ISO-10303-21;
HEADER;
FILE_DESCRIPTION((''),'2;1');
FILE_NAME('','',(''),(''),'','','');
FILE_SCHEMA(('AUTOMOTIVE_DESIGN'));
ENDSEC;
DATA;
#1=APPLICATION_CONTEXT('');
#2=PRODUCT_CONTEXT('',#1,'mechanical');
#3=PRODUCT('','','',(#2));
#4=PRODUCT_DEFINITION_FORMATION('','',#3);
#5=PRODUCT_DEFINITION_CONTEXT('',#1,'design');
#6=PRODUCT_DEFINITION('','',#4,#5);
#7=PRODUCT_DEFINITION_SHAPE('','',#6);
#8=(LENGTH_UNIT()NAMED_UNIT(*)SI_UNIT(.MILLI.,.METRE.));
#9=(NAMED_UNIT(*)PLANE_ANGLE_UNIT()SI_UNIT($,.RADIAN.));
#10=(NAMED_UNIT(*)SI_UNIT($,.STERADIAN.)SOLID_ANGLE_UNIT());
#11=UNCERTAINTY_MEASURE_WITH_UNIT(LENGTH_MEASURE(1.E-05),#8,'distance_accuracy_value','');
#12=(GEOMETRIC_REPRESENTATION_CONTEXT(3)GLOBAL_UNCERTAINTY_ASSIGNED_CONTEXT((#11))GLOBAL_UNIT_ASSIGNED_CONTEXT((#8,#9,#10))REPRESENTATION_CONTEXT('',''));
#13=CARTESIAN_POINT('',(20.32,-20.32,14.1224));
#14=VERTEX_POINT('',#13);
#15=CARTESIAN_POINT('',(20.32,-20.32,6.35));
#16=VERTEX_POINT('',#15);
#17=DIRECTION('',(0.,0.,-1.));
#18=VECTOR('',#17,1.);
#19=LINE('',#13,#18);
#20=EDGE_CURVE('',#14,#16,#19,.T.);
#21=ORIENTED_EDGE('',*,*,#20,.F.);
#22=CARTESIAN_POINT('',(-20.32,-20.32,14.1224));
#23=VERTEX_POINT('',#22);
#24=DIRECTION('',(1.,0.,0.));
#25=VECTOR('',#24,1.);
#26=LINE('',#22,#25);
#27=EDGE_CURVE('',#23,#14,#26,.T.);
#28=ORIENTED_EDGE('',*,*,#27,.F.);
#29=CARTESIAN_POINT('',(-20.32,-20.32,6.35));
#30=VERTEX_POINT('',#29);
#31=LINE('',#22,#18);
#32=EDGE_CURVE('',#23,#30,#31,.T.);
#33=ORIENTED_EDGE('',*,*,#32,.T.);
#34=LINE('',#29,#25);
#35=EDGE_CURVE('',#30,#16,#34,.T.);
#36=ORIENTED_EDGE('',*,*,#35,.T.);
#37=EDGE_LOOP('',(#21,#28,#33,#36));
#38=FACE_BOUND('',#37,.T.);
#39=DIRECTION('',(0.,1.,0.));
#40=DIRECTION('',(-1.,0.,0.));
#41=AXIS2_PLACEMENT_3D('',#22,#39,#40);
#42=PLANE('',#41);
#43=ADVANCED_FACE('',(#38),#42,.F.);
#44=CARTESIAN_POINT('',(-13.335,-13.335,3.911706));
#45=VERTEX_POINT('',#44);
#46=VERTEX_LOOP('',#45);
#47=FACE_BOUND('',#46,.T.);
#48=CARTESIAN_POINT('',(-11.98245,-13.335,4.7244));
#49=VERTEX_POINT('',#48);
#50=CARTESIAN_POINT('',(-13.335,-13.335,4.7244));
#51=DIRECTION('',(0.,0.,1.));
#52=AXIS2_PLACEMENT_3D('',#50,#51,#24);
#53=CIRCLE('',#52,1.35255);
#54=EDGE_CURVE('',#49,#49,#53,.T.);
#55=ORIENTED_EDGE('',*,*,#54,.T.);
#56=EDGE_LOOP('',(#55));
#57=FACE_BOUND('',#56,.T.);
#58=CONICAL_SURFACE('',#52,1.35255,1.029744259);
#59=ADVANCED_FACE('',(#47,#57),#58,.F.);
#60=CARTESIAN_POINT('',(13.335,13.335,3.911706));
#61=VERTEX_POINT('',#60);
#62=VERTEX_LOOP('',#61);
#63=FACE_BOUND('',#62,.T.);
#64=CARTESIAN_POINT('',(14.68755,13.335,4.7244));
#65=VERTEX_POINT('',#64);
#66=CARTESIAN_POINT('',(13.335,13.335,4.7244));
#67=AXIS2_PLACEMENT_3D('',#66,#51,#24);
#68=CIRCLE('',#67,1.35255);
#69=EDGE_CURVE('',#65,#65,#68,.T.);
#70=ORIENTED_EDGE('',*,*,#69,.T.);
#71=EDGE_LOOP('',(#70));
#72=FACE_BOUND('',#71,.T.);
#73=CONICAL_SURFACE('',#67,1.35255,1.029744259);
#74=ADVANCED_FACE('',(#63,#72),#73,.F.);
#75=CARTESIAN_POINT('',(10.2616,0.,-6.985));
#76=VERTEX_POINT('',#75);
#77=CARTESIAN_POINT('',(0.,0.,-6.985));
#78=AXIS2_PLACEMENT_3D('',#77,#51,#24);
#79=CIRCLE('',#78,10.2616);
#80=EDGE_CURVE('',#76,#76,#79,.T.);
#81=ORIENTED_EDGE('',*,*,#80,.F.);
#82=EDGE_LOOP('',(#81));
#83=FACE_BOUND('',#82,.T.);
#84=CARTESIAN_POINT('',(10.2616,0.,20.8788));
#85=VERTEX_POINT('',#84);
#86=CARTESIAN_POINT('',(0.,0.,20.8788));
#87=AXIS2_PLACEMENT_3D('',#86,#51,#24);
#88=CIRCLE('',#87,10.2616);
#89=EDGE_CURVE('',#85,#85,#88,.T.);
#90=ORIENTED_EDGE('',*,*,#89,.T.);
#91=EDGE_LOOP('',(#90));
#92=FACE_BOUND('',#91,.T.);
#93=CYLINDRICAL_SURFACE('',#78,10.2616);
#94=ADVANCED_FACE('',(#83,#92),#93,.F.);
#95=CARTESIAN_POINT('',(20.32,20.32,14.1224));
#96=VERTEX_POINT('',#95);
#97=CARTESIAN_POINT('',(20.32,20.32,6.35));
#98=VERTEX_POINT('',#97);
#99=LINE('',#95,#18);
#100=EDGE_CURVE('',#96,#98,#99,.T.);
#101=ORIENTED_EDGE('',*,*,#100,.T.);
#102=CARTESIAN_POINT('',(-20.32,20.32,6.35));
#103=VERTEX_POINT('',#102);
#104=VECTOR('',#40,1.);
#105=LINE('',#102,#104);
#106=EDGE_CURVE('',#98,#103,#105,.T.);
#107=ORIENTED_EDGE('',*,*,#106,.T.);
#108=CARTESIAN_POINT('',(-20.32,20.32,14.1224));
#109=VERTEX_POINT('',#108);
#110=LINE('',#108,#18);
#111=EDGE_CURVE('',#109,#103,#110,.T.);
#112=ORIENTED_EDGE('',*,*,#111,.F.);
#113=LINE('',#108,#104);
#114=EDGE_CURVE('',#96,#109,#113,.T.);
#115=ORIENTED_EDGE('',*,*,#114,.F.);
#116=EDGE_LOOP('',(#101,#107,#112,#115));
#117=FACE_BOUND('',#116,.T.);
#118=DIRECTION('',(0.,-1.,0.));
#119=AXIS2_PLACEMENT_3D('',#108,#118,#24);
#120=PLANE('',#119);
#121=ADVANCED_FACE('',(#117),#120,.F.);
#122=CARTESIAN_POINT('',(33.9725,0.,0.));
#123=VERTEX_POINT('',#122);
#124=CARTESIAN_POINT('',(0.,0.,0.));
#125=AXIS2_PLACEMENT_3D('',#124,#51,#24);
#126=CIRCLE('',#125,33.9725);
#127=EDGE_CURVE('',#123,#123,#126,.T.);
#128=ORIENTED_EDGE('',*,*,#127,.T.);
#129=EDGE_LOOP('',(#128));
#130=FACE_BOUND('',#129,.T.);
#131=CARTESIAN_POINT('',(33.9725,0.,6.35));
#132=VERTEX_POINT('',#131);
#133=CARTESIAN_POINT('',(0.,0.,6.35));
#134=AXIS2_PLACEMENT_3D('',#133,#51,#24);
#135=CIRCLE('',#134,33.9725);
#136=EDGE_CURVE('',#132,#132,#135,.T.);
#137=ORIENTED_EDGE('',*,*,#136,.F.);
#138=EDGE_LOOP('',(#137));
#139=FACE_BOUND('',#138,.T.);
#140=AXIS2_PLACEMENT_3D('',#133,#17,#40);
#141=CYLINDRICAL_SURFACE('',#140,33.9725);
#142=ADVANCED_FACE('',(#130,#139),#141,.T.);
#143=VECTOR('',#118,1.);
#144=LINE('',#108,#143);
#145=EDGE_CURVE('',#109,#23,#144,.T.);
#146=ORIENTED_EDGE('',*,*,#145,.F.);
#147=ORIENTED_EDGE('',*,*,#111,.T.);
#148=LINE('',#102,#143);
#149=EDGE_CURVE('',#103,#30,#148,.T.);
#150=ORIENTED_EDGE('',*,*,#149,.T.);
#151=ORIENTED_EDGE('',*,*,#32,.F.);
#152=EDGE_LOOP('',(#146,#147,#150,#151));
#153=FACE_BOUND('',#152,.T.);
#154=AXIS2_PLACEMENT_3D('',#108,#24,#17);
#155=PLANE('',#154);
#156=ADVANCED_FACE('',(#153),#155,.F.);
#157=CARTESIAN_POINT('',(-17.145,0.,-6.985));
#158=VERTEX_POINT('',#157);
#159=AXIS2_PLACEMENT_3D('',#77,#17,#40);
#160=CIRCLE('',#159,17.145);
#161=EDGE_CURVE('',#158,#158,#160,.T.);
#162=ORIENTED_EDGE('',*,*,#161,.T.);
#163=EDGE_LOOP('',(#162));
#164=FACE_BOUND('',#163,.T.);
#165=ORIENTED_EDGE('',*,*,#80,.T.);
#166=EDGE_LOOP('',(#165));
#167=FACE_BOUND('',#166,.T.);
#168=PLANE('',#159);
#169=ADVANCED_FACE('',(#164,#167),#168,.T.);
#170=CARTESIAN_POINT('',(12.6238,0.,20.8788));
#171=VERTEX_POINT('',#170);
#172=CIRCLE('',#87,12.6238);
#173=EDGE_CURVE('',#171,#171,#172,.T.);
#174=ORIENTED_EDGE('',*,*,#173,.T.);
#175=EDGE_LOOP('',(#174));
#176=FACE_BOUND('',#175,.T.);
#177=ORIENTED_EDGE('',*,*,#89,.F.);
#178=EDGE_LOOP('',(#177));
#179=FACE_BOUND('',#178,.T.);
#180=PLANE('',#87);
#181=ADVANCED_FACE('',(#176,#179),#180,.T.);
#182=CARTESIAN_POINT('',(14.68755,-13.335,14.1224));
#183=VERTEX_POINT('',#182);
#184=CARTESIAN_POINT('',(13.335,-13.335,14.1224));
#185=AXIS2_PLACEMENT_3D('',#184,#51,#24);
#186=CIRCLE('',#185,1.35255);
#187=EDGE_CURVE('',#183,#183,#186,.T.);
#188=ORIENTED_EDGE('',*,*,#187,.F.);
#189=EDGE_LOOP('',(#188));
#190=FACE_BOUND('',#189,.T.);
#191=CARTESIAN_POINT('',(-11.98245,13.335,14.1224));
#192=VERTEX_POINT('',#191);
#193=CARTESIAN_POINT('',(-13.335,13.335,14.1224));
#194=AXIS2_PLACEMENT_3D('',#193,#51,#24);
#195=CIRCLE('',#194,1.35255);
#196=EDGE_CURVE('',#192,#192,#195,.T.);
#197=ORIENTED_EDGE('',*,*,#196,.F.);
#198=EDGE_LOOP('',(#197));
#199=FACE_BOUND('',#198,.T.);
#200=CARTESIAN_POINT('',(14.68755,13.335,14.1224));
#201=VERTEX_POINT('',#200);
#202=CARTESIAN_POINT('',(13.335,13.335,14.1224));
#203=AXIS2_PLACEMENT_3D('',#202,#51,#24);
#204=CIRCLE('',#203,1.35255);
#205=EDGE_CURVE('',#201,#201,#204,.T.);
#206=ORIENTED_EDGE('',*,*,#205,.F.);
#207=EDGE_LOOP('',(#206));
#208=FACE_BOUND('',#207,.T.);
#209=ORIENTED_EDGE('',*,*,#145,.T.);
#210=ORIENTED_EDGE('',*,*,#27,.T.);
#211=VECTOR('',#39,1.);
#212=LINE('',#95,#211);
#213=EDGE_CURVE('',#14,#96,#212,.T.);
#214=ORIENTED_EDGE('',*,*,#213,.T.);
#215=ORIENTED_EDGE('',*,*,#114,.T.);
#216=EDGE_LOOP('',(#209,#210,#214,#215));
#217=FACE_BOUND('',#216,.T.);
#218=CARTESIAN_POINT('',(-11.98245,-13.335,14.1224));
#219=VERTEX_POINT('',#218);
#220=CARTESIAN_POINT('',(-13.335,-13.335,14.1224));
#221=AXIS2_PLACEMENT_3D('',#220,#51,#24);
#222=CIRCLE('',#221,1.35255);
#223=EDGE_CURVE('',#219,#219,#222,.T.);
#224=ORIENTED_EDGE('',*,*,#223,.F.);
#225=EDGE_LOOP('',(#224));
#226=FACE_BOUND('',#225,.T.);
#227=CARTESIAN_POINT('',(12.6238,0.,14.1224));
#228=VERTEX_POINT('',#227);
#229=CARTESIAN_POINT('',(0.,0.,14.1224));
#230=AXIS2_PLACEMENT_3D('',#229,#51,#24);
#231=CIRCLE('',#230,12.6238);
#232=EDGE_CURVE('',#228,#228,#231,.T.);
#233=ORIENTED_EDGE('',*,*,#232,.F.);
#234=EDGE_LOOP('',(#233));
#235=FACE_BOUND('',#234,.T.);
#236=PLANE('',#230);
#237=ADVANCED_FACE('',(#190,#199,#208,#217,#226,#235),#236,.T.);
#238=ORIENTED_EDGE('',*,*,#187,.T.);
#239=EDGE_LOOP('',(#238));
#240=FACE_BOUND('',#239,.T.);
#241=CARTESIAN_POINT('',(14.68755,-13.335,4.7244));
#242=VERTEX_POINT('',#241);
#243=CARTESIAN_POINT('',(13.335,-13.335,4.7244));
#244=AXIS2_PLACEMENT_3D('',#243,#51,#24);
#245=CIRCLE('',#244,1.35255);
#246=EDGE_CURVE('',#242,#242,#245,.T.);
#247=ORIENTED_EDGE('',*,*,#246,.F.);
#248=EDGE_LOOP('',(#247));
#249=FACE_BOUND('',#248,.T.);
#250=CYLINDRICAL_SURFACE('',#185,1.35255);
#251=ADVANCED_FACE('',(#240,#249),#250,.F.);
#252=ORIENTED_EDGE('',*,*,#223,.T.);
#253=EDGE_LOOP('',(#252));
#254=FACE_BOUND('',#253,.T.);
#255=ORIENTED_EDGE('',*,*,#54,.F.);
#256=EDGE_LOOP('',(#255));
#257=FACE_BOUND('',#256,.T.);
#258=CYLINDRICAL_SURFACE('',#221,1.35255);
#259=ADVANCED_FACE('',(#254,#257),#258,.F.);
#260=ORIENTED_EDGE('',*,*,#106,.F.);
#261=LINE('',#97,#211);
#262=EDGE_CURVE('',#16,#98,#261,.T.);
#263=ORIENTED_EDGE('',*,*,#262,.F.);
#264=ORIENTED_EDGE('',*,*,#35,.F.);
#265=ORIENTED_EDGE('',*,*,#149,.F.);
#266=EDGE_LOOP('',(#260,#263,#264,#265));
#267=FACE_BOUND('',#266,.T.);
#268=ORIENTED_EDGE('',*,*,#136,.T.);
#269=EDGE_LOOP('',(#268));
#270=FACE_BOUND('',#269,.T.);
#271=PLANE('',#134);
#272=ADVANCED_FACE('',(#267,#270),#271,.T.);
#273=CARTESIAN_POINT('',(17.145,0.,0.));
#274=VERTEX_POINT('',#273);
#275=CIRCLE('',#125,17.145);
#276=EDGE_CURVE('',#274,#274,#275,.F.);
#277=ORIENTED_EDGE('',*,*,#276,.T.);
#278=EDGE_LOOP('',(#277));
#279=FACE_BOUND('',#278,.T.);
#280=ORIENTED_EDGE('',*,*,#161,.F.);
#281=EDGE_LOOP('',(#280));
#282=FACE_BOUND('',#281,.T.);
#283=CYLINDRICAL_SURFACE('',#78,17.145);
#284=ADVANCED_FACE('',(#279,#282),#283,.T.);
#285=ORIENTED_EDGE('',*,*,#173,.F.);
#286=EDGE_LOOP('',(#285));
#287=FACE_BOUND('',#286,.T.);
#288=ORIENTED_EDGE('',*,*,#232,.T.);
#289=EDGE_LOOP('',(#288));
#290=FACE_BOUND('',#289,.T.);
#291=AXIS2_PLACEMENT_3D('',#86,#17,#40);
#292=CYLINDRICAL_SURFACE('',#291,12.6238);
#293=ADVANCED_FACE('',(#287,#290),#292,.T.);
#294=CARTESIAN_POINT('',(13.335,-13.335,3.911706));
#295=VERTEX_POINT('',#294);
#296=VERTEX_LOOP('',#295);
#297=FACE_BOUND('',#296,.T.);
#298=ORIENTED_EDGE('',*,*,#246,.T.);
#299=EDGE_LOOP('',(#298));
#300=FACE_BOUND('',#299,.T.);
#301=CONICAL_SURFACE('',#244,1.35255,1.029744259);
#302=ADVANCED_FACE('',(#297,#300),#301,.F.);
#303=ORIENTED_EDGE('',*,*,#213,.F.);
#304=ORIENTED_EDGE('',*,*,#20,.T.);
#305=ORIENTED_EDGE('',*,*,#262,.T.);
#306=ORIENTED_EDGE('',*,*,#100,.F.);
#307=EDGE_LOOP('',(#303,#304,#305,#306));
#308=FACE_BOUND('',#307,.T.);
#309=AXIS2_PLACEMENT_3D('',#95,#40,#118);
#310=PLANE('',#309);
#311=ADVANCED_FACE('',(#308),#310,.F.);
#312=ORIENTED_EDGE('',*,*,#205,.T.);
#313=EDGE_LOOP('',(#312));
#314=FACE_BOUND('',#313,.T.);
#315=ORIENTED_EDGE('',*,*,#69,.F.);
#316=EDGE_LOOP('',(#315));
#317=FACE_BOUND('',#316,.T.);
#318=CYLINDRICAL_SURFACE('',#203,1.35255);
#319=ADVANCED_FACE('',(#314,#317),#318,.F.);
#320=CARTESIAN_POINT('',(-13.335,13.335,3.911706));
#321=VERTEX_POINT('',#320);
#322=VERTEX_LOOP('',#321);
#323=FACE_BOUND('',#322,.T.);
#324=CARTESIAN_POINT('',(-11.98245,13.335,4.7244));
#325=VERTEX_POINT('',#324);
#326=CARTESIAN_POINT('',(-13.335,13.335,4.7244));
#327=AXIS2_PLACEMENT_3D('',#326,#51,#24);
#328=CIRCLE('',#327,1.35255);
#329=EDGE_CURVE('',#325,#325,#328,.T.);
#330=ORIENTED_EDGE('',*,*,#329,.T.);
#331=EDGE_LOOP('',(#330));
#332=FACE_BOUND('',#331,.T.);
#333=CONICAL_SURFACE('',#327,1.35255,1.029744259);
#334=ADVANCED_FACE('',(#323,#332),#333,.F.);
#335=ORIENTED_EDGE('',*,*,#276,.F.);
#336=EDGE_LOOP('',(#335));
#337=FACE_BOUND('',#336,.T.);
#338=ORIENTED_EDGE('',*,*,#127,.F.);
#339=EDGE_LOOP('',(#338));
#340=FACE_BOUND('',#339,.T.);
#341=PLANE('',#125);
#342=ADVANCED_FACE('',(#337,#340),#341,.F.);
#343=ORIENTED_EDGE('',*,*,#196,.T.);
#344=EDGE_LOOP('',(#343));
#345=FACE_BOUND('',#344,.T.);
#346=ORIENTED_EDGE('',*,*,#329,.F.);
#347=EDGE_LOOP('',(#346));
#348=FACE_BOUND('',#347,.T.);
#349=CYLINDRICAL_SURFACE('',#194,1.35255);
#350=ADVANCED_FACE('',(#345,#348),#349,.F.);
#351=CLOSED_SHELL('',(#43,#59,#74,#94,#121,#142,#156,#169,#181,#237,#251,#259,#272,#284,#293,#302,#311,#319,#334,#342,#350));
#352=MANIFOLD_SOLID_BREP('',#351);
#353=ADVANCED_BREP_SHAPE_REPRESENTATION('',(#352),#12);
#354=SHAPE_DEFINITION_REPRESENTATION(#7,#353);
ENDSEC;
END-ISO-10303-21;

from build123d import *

# Parameters (mm, degrees)
SKETCH1_R                 = 33.9725
BOSS_EXTRUDE2_DEPTH       = 6.35
SKETCH2_R                 = 17.145
BOSS_EXTRUDE3_DEPTH       = 6.985
SKETCH3_W                 = 40.64
SKETCH3_H                 = 40.64
BOSS_EXTRUDE4_DEPTH       = 7.7724
SKETCH4_R                 = 10.2616
CUT_EXTRUDE1_DEPTH        = 22.1074
F_6_32_TAPPED_HOLE1_D     = 2.7051
F_6_32_TAPPED_HOLE1_DEPTH = 9.398
F_6_32_TAPPED_HOLE1_TIP   = 0.81269403
SKETCH8_R                 = 12.6238
SKETCH8_R_2               = 10.2616
BOSS_EXTRUDE5_DEPTH       = 6.7564


with BuildPart() as part:
    # Sketch1 → Boss-Extrude2 (new body)
    with BuildSketch(Plane.XY):
        Circle(SKETCH1_R)
    extrude(amount=BOSS_EXTRUDE2_DEPTH)

    # Sketch2 → Boss-Extrude3 (add)
    with BuildSketch(Plane(origin=(0, 0, 0), x_dir=(-1, 0, 0), z_dir=(0, 0, -1))):
        Circle(SKETCH2_R)
    extrude(amount=BOSS_EXTRUDE3_DEPTH)

    # Sketch3 → Boss-Extrude4 (add)
    with BuildSketch(Plane.XY.offset(6.35)):
        Rectangle(SKETCH3_W, SKETCH3_H)
    extrude(amount=BOSS_EXTRUDE4_DEPTH)

    # Sketch4 → Cut-Extrude1 (cut, through all)
    with BuildSketch(Plane.XY.offset(14.1224)):
        Circle(SKETCH4_R)
    extrude(amount=-CUT_EXTRUDE1_DEPTH, mode=Mode.SUBTRACT)

    # #6-32 Tapped Hole1
    with Locations(Plane.XY.offset(14.1224)):
        with Locations((-13.335, 13.335), (13.335, 13.335), (13.335, -13.335), (-13.335, -13.335)):
            Hole(F_6_32_TAPPED_HOLE1_D / 2, depth=F_6_32_TAPPED_HOLE1_DEPTH)
            with Locations((0, 0, -(F_6_32_TAPPED_HOLE1_DEPTH + F_6_32_TAPPED_HOLE1_TIP / 2))):  # 118° drill point
                Cone(0, F_6_32_TAPPED_HOLE1_D / 2, F_6_32_TAPPED_HOLE1_TIP, mode=Mode.SUBTRACT)

    # Sketch8 → Boss-Extrude5 (add)
    with BuildSketch(Plane.XY.offset(14.1224)):
        Circle(SKETCH8_R)
        Circle(SKETCH8_R_2, mode=Mode.SUBTRACT)
    extrude(amount=BOSS_EXTRUDE5_DEPTH)


solid = part.part
